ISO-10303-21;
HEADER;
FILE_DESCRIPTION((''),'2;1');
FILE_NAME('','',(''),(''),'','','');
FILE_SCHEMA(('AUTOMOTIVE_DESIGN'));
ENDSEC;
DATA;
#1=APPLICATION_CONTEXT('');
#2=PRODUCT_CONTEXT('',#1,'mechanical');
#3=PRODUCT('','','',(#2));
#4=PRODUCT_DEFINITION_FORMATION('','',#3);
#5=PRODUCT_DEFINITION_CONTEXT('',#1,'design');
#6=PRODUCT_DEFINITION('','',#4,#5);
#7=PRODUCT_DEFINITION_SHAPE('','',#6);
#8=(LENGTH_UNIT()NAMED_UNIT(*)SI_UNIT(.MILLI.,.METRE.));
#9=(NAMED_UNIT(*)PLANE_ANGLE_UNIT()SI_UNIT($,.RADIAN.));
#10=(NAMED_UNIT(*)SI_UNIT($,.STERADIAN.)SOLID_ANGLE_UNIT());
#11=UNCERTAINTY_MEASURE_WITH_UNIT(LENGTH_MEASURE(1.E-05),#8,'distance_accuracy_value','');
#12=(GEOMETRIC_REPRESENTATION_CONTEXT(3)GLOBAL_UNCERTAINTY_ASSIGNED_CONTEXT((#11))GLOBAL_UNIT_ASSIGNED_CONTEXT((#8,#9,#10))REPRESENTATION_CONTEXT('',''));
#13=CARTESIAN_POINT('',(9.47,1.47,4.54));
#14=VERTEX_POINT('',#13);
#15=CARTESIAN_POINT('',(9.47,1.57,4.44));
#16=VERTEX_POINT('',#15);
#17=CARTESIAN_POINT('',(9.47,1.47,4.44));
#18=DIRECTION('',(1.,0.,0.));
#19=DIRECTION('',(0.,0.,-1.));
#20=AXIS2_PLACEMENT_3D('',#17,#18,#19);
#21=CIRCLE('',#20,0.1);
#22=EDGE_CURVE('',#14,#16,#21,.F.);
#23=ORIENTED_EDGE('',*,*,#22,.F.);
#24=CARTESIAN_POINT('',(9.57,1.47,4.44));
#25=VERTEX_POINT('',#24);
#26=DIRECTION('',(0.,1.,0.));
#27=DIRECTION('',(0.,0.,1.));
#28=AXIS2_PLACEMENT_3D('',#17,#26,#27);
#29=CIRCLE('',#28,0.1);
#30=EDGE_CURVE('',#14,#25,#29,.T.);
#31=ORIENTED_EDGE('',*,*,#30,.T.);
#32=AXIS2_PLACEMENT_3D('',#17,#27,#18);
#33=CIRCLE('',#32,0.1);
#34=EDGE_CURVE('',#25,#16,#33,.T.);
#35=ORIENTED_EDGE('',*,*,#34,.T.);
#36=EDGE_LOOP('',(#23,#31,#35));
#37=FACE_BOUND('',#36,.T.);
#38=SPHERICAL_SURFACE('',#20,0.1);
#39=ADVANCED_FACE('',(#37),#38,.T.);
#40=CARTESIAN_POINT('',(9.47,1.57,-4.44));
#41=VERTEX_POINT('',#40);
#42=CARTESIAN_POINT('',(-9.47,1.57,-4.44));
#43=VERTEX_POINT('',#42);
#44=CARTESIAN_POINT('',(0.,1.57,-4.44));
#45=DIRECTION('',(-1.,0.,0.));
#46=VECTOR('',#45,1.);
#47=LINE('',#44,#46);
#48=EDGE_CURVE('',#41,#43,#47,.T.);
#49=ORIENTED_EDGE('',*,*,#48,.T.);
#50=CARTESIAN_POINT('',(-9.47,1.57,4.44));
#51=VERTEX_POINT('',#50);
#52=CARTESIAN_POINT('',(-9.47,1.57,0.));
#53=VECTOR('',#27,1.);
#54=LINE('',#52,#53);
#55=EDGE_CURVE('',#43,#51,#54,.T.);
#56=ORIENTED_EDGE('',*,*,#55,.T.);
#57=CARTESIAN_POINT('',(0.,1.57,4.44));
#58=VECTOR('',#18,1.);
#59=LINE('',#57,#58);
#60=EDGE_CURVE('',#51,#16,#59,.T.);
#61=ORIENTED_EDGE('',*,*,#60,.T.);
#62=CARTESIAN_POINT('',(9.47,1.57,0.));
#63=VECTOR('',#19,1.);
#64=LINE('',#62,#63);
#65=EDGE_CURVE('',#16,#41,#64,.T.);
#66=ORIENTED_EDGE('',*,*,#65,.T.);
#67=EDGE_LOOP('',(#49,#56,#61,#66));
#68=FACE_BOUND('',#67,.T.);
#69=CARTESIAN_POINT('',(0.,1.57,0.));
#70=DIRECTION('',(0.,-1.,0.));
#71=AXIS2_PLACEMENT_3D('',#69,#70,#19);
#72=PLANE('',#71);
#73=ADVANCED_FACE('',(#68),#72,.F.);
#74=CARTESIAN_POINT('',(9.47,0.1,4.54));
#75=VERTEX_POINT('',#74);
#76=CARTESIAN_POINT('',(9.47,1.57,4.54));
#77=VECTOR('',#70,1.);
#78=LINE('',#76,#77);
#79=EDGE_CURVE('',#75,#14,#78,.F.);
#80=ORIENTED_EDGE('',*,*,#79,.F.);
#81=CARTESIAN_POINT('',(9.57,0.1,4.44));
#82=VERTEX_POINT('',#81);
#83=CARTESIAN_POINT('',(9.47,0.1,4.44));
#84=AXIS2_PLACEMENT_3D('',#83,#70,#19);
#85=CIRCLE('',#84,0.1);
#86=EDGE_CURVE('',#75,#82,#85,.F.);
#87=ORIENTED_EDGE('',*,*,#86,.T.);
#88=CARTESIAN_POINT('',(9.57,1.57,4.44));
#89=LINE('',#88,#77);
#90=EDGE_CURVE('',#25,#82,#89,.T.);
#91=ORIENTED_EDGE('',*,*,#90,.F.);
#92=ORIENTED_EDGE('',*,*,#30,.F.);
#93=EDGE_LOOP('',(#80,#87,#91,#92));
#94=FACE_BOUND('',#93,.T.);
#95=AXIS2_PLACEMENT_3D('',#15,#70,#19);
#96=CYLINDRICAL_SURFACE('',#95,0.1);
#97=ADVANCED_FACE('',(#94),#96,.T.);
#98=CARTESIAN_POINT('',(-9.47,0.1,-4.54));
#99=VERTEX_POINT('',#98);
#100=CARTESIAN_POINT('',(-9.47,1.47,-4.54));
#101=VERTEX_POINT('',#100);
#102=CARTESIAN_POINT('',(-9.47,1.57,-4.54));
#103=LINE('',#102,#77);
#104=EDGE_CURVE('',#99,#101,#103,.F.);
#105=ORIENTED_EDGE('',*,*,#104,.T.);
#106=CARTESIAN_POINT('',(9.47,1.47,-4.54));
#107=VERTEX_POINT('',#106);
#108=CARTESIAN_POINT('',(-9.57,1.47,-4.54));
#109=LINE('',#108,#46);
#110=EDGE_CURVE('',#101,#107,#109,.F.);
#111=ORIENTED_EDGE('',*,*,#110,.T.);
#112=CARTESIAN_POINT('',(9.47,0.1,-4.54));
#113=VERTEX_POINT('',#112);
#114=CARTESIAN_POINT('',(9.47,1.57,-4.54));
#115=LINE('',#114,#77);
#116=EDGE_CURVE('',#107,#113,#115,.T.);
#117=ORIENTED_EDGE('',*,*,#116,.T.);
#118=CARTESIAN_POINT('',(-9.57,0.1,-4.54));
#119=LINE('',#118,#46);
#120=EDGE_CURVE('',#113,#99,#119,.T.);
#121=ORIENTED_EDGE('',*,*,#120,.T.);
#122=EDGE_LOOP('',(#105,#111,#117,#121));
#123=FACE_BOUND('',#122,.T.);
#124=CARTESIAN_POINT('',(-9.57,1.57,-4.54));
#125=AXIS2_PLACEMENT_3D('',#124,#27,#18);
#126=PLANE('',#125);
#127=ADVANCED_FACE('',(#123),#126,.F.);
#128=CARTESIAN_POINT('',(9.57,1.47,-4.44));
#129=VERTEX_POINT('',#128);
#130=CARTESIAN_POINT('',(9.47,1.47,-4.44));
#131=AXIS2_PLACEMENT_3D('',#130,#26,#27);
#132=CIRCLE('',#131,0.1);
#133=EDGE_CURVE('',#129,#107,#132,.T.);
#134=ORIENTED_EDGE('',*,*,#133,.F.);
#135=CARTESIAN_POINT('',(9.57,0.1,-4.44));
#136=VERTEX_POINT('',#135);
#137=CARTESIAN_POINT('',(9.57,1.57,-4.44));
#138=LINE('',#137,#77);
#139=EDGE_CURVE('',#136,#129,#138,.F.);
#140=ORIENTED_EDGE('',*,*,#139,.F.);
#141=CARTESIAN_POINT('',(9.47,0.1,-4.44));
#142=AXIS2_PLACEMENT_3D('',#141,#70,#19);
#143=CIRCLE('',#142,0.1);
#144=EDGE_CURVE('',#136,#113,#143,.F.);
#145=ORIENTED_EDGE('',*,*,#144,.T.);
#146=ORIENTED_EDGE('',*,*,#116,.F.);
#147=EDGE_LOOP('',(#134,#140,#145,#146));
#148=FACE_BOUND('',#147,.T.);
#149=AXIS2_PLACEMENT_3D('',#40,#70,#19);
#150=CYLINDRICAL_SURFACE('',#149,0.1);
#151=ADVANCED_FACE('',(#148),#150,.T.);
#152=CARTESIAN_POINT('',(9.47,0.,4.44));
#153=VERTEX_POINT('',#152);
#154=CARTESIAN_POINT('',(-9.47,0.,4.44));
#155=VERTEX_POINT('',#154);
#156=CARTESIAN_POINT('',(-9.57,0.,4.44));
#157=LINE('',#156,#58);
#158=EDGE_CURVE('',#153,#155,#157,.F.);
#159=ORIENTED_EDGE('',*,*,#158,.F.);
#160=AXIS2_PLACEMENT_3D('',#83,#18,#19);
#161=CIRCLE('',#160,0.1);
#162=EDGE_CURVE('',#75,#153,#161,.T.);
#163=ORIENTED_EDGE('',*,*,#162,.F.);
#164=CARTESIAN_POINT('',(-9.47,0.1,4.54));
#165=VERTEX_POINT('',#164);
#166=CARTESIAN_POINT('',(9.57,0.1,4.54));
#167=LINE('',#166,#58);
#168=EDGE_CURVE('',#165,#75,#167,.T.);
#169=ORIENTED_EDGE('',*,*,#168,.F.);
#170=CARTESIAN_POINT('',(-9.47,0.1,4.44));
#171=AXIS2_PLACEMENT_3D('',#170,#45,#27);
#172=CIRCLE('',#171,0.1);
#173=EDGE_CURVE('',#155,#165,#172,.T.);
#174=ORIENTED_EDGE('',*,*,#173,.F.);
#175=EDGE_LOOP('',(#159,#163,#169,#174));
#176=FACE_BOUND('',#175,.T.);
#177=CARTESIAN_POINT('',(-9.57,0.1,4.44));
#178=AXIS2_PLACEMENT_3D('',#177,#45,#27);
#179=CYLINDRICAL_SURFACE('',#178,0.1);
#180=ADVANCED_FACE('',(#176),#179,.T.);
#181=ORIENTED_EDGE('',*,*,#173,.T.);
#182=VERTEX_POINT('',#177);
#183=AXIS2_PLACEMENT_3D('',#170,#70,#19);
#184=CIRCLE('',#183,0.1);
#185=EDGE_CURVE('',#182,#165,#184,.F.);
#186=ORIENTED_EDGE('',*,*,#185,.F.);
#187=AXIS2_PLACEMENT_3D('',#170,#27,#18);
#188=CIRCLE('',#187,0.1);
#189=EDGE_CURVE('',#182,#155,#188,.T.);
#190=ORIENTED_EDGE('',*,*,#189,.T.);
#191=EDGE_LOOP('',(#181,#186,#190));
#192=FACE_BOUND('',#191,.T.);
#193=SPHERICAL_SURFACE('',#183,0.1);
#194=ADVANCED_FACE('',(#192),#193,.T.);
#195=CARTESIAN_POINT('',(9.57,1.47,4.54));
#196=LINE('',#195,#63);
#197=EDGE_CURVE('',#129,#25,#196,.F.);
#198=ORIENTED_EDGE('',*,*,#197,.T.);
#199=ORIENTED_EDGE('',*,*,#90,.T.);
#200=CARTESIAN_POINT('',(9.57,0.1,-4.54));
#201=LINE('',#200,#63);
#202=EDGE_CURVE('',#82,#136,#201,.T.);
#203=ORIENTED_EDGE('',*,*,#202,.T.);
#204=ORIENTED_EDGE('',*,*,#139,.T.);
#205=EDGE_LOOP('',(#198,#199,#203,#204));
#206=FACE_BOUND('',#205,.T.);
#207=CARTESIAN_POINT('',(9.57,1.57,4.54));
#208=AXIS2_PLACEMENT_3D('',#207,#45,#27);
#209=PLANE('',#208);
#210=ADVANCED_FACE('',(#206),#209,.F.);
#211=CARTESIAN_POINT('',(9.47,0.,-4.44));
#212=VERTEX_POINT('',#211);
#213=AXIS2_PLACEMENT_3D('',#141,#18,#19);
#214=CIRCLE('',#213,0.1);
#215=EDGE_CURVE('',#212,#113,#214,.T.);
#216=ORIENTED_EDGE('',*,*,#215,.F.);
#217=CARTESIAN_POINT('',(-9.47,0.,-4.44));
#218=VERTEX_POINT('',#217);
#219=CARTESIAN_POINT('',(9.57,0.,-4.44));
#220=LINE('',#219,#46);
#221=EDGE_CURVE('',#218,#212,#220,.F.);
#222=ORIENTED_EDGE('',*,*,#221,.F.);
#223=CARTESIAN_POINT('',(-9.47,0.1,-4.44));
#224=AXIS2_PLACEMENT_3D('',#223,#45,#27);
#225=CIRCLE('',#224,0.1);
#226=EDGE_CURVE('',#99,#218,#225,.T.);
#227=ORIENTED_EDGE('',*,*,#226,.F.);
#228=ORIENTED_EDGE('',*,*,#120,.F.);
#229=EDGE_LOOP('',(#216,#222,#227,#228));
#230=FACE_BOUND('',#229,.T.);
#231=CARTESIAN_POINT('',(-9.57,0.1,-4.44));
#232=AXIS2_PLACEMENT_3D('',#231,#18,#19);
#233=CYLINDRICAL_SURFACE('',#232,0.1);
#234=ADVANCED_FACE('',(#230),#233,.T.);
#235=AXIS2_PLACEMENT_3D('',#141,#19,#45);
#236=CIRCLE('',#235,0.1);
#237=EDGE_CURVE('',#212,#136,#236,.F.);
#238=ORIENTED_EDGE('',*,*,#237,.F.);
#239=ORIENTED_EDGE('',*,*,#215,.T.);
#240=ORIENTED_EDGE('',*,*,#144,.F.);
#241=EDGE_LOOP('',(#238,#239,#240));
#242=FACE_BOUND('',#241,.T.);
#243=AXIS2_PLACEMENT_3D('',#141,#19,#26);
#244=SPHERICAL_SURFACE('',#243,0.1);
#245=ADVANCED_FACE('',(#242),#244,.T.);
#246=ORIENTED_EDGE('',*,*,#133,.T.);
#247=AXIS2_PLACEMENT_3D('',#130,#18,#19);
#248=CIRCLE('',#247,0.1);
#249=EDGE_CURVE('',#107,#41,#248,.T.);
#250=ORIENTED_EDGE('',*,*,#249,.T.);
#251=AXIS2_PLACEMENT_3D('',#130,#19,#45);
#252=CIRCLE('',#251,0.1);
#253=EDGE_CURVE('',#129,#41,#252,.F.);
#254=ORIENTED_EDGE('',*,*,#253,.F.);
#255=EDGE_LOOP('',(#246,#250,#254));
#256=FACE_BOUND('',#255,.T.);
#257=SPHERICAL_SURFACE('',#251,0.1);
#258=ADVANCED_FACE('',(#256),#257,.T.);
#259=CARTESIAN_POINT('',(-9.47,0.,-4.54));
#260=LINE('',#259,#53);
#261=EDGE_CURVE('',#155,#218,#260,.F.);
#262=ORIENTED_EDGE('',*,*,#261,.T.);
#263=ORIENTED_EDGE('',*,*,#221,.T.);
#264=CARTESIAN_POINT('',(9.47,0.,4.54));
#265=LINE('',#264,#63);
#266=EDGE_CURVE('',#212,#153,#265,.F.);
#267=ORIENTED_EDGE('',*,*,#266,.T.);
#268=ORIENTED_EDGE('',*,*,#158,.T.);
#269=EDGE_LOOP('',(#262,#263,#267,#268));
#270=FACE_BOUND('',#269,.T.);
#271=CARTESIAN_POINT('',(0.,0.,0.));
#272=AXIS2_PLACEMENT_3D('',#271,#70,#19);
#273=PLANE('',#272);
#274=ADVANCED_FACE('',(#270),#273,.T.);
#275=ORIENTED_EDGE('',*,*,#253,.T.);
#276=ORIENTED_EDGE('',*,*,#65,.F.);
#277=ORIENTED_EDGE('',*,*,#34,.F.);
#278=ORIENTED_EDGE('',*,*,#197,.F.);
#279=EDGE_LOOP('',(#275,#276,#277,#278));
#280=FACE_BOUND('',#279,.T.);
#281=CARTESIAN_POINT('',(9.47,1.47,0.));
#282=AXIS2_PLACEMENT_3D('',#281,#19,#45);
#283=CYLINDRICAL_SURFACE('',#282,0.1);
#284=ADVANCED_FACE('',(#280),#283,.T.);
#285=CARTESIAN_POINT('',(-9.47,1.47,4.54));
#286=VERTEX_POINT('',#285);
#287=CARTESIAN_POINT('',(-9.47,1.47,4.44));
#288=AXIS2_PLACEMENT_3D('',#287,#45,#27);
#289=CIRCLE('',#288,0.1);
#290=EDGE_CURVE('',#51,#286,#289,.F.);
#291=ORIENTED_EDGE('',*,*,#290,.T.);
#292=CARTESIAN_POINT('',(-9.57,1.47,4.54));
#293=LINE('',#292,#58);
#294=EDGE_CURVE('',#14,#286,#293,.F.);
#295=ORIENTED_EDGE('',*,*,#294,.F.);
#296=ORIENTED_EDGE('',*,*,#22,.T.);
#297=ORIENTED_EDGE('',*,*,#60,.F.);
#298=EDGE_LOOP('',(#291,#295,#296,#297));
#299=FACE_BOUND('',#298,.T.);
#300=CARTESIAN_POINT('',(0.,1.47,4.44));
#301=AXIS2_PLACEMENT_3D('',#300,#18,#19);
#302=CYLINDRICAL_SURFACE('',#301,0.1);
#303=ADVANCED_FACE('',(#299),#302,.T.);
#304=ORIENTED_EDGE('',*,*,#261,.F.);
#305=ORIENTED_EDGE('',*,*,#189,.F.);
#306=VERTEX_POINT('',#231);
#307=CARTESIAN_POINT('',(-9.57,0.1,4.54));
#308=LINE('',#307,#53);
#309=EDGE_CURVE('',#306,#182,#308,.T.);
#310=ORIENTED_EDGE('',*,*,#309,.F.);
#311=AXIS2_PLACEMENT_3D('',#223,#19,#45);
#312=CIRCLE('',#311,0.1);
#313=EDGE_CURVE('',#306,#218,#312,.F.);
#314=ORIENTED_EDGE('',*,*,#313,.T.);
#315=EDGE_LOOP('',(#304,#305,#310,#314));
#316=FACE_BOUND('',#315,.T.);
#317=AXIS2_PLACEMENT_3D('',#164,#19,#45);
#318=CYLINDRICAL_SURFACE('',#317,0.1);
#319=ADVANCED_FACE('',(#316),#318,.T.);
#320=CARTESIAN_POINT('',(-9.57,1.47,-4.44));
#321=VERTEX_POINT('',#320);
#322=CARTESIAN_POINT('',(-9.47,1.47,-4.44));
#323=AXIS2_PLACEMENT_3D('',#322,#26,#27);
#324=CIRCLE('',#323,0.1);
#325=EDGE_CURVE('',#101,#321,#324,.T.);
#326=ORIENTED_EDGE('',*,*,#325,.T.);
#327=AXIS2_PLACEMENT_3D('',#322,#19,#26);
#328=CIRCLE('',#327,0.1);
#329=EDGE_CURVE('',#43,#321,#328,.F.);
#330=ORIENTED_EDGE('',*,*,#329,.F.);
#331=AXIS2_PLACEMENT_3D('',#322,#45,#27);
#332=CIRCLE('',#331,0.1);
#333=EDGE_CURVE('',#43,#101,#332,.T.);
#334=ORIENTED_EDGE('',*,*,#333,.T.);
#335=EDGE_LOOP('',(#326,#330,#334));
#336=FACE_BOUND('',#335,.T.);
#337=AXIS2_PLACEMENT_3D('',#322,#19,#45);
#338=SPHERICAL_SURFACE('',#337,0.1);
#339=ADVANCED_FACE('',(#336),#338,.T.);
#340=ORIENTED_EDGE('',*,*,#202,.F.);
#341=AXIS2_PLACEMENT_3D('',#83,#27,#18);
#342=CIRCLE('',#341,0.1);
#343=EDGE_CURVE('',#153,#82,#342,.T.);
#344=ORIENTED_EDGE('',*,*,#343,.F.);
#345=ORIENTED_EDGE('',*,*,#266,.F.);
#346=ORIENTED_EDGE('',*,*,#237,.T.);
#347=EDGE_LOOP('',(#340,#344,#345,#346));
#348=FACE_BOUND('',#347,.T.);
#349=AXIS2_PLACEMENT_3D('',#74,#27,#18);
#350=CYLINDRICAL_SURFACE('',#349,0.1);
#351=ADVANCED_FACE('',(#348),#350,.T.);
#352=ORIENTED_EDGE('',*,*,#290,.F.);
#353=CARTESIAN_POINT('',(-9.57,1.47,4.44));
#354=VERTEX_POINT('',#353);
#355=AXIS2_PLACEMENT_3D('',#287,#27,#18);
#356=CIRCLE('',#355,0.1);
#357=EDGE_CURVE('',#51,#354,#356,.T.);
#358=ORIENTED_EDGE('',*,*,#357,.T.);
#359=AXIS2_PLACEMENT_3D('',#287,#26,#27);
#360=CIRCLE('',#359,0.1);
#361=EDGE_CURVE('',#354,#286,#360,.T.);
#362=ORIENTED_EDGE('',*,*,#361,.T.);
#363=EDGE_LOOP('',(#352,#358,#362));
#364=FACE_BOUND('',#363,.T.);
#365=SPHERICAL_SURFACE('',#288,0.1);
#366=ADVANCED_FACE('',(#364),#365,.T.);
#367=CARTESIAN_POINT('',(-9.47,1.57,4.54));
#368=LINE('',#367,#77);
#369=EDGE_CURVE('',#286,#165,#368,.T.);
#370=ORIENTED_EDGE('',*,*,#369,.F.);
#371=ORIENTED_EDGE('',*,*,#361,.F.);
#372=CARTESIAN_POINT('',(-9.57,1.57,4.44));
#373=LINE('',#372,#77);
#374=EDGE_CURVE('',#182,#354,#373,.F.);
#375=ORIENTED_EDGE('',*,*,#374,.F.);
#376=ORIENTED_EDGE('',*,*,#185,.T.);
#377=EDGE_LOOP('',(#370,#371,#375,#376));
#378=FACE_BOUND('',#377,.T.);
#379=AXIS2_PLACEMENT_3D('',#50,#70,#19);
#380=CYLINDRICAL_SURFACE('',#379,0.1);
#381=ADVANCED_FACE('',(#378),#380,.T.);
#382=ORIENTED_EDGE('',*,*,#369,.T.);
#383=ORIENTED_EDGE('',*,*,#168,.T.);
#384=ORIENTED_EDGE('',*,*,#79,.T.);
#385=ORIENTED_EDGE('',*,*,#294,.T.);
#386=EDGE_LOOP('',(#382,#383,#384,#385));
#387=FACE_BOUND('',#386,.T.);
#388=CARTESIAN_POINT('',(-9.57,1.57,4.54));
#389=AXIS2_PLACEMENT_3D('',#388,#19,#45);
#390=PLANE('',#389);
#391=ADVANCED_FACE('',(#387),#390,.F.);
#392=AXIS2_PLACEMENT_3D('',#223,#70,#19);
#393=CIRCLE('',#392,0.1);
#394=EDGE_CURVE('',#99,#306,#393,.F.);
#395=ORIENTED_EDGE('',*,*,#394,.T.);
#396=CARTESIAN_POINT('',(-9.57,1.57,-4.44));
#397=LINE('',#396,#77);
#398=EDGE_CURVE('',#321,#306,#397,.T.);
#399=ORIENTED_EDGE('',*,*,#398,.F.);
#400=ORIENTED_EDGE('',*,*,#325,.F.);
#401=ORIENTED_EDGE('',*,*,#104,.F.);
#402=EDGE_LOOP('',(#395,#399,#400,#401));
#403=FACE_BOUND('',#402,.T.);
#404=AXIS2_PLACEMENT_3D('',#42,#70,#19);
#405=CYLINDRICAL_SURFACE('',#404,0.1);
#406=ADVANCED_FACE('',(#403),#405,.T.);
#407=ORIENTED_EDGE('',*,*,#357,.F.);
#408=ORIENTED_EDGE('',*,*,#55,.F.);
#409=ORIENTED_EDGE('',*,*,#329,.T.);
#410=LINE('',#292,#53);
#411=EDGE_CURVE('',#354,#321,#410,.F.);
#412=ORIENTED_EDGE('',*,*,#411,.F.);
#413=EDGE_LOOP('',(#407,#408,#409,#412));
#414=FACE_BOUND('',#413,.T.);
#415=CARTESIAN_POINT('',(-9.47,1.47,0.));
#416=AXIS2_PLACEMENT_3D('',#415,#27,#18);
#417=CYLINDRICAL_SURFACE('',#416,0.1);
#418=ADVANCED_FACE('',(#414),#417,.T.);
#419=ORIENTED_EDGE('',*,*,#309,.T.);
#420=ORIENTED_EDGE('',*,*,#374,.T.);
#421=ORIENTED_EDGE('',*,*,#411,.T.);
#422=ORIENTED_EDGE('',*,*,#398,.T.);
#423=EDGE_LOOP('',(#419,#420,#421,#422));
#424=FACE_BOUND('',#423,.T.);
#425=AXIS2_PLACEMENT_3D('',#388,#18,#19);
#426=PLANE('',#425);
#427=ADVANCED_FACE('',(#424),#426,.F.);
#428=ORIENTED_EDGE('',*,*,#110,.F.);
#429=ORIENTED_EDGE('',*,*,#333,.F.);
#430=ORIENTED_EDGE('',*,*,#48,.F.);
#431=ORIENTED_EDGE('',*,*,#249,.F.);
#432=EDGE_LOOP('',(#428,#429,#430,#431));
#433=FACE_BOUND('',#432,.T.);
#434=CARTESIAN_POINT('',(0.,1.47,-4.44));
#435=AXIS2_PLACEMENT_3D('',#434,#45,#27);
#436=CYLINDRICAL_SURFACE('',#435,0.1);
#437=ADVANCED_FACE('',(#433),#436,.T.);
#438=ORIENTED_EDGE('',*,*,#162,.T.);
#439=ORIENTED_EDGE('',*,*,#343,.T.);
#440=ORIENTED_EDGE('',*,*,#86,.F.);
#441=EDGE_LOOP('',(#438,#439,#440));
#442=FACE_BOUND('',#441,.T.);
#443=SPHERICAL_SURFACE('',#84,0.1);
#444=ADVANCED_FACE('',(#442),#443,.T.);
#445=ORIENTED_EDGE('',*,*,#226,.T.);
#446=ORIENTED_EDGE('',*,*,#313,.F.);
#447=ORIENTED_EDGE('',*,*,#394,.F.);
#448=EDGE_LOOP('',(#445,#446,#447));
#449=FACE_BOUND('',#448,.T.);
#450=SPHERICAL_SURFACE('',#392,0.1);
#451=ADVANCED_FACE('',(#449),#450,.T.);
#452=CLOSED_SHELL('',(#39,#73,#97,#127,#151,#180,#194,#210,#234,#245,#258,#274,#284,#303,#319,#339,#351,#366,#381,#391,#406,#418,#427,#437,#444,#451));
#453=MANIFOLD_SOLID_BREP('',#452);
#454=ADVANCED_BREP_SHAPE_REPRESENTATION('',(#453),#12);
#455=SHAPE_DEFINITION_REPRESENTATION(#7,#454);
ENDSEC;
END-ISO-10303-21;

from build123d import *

# Parameters (mm, degrees)
SKETCH1_W           = 19.14
SKETCH1_H           = 9.08
BOSS_EXTRUDE1_DEPTH = 1.57
FILLET1_R           = 0.1


with BuildPart() as part:
    # Sketch1 → Boss-Extrude1 (new body)
    with BuildSketch(Plane(origin=(0, 0, 0), x_dir=(1, 0, 0), z_dir=(0, 1, 0))):
        Rectangle(SKETCH1_W, SKETCH1_H)
    extrude(amount=BOSS_EXTRUDE1_DEPTH)

    # Fillet1
    fillet1_edges = [part.edges().sort_by_distance(p)[0] for p in [
        (-9.57, 1.57, 0),
        (0, 1.57, 4.54),
        (9.57, 1.57, 0),
        (0, 0, 4.54),
        (-9.57, 0, 0),
        (0, 0, -4.54),
        (9.57, 0, 0),
        (9.57, 0.785, 4.54),
        (-9.57, 0.785, 4.54),
        (-9.57, 0.785, -4.54),
        (9.57, 0.785, -4.54),
        (0, 1.57, -4.54),
    ]]
    fillet(fillet1_edges, radius=FILLET1_R)


solid = part.part
